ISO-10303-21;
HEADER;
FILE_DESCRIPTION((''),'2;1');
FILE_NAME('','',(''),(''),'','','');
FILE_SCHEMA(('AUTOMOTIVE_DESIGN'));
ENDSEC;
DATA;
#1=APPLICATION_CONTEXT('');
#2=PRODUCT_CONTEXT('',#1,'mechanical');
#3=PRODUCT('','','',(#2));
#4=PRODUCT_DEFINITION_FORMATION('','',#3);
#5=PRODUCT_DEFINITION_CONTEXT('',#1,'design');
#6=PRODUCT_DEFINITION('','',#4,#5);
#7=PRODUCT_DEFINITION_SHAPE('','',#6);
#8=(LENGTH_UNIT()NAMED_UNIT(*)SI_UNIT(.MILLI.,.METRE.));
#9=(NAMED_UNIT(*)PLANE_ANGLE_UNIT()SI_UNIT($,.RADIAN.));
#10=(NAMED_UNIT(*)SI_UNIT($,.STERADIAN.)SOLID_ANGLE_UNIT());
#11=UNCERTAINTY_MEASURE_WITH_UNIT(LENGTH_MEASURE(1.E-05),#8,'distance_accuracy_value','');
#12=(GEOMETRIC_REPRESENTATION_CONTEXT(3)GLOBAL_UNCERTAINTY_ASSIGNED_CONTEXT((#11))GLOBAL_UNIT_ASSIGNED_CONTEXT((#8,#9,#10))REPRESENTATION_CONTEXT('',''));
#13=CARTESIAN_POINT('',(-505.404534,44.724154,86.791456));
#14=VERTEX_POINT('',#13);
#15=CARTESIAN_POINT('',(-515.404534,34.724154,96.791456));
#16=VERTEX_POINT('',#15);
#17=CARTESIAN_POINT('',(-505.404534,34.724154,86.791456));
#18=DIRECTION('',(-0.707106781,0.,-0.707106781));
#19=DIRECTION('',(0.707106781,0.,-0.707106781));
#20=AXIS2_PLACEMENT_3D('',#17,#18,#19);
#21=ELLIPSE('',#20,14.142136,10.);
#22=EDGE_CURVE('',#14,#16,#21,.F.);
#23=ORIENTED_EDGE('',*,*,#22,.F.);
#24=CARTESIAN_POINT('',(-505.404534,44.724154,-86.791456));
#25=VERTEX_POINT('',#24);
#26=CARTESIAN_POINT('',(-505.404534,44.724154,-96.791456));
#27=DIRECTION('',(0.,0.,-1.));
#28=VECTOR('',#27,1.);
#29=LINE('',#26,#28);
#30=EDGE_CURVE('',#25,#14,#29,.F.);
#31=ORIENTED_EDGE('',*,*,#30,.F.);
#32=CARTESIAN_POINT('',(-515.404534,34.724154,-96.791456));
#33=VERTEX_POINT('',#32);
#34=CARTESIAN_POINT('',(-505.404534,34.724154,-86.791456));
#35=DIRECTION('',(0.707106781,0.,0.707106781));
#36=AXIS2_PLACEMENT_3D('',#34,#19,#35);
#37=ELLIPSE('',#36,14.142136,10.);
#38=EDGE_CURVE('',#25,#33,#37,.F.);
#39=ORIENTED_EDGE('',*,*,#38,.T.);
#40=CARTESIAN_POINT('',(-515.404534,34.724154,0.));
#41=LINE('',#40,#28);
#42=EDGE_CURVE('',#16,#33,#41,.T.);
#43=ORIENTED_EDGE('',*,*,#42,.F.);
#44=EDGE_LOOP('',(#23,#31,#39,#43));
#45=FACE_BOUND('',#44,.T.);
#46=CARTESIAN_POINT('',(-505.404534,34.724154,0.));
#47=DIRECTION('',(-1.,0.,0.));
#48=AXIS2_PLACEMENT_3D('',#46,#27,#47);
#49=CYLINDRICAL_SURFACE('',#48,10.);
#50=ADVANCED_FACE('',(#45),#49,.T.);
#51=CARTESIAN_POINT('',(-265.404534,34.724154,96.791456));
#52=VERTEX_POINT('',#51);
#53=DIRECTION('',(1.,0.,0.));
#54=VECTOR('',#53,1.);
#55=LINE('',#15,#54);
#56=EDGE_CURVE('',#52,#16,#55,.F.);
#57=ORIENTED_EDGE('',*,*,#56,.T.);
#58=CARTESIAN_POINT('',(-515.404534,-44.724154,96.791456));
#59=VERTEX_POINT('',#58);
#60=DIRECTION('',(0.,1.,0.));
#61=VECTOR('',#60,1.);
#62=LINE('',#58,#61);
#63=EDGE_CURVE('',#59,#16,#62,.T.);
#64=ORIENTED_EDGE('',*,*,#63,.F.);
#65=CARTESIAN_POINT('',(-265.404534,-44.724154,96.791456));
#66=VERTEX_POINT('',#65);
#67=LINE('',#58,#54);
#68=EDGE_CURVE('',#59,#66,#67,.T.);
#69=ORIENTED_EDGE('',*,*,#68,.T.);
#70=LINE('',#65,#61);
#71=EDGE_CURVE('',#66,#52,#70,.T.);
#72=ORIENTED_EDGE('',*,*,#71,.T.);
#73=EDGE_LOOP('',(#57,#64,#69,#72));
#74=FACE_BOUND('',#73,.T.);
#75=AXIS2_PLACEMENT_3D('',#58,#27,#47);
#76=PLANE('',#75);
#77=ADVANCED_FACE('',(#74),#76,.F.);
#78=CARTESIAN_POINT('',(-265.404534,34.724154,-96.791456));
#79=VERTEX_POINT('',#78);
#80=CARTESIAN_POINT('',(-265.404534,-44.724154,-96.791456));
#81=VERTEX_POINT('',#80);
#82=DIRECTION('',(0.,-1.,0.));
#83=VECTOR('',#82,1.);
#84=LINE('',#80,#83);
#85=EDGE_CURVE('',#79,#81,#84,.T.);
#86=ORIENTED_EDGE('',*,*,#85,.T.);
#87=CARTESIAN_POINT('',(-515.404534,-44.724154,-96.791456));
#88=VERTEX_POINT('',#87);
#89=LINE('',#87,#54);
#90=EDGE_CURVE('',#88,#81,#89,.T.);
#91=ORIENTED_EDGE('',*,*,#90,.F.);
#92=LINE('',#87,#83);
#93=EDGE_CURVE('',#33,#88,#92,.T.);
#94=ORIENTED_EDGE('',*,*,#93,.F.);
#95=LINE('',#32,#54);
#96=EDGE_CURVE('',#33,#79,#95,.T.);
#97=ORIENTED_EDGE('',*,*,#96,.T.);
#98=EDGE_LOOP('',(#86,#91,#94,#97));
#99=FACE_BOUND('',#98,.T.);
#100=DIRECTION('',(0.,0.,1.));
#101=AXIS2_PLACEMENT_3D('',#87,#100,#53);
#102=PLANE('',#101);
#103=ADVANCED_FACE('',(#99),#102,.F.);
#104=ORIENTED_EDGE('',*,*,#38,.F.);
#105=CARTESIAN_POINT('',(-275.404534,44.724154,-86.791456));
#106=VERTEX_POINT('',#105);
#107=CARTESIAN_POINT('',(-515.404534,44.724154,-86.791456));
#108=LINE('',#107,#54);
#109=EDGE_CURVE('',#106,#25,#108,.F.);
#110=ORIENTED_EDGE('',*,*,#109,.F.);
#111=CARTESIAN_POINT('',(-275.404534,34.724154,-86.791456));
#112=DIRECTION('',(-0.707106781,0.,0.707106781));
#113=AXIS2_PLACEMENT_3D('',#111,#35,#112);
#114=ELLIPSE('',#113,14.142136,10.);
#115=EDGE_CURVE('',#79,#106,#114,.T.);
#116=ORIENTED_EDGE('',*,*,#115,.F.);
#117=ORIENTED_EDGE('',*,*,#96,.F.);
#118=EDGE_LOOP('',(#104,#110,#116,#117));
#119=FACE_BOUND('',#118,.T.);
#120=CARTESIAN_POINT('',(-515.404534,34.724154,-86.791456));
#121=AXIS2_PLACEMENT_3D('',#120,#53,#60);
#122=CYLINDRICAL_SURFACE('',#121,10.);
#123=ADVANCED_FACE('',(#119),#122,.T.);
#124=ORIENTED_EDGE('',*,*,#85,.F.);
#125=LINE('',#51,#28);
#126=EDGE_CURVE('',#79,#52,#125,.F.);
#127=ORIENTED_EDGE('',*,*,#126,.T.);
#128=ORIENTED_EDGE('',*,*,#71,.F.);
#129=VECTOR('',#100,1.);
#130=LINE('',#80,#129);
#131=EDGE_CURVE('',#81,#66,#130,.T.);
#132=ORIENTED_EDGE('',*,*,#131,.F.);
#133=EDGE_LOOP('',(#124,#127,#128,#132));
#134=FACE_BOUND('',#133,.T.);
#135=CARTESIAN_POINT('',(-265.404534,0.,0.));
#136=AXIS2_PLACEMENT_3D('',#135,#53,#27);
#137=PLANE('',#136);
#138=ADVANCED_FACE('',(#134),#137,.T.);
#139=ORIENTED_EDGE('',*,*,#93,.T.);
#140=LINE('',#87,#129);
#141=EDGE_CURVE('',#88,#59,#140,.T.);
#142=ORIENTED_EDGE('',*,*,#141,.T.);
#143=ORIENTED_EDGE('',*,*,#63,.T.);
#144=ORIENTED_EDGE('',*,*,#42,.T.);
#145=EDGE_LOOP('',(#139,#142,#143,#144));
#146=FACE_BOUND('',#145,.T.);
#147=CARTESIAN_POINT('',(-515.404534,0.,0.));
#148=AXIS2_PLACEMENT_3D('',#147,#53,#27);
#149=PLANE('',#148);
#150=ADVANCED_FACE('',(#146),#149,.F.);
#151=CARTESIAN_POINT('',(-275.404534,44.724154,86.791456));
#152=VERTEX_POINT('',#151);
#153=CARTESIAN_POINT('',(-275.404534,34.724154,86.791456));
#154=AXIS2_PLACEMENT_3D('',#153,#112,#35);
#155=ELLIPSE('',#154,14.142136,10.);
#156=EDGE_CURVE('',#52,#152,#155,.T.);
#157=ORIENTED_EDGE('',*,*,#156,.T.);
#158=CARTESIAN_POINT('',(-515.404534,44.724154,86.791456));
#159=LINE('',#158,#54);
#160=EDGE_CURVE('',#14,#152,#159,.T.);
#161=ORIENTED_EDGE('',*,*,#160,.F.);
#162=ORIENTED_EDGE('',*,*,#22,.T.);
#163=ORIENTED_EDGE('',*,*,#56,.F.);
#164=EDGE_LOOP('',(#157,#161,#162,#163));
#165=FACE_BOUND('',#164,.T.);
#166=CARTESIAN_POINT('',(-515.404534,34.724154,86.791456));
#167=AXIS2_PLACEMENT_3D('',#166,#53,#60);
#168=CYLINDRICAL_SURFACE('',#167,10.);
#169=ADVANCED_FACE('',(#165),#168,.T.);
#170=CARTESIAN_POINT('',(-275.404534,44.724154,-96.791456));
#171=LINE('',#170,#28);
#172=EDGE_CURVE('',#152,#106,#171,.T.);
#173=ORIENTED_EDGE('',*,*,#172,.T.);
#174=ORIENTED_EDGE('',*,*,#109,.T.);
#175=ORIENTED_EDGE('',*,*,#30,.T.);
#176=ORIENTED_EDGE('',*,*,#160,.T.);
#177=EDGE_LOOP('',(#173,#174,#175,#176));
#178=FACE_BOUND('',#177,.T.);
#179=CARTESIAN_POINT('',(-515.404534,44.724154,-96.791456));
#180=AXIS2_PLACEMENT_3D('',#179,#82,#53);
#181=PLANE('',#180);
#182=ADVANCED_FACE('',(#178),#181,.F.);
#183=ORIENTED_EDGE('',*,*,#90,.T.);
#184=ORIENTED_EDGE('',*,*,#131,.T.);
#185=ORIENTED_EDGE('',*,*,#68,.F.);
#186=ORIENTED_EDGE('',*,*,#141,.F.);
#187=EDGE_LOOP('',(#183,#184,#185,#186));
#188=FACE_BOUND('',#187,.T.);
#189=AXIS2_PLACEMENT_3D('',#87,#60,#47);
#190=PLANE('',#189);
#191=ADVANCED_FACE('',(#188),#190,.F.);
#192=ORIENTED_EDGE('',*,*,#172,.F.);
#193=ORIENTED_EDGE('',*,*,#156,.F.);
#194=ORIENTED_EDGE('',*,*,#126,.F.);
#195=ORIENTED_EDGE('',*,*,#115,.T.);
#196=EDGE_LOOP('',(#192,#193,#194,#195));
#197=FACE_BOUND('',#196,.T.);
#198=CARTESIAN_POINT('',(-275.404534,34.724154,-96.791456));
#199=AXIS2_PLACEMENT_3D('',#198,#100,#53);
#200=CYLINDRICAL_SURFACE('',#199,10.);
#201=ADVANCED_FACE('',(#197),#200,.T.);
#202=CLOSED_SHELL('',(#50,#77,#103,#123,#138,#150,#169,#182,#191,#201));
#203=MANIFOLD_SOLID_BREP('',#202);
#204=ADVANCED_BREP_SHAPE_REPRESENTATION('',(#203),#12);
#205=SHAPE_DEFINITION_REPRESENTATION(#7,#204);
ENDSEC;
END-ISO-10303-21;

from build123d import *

# Parameters (mm, degrees)
SKETCH2_W           = 193.582912504
SKETCH2_H           = 89.448307966
BOSS_EXTRUDE1_DEPTH = 250
FILLET1_R           = 10


with BuildPart() as part:
    # Sketch2 → Boss-Extrude1 (new body)
    with BuildSketch(Plane.ZY.offset(265.404534045)):
        Rectangle(SKETCH2_W, SKETCH2_H)
    extrude(amount=BOSS_EXTRUDE1_DEPTH)

    # Fillet1
    fillet1_edges = [part.edges().sort_by_distance(p)[0] for p in [
        (-265.404534045, 44.724153983, 0),
        (-515.404534045, 44.724153983, 0),
        (-390.404534045, 44.724153983, -96.791456252),
        (-390.404534045, 44.724153983, 96.791456252),
    ]]
    fillet(fillet1_edges, radius=FILLET1_R)


solid = part.part
